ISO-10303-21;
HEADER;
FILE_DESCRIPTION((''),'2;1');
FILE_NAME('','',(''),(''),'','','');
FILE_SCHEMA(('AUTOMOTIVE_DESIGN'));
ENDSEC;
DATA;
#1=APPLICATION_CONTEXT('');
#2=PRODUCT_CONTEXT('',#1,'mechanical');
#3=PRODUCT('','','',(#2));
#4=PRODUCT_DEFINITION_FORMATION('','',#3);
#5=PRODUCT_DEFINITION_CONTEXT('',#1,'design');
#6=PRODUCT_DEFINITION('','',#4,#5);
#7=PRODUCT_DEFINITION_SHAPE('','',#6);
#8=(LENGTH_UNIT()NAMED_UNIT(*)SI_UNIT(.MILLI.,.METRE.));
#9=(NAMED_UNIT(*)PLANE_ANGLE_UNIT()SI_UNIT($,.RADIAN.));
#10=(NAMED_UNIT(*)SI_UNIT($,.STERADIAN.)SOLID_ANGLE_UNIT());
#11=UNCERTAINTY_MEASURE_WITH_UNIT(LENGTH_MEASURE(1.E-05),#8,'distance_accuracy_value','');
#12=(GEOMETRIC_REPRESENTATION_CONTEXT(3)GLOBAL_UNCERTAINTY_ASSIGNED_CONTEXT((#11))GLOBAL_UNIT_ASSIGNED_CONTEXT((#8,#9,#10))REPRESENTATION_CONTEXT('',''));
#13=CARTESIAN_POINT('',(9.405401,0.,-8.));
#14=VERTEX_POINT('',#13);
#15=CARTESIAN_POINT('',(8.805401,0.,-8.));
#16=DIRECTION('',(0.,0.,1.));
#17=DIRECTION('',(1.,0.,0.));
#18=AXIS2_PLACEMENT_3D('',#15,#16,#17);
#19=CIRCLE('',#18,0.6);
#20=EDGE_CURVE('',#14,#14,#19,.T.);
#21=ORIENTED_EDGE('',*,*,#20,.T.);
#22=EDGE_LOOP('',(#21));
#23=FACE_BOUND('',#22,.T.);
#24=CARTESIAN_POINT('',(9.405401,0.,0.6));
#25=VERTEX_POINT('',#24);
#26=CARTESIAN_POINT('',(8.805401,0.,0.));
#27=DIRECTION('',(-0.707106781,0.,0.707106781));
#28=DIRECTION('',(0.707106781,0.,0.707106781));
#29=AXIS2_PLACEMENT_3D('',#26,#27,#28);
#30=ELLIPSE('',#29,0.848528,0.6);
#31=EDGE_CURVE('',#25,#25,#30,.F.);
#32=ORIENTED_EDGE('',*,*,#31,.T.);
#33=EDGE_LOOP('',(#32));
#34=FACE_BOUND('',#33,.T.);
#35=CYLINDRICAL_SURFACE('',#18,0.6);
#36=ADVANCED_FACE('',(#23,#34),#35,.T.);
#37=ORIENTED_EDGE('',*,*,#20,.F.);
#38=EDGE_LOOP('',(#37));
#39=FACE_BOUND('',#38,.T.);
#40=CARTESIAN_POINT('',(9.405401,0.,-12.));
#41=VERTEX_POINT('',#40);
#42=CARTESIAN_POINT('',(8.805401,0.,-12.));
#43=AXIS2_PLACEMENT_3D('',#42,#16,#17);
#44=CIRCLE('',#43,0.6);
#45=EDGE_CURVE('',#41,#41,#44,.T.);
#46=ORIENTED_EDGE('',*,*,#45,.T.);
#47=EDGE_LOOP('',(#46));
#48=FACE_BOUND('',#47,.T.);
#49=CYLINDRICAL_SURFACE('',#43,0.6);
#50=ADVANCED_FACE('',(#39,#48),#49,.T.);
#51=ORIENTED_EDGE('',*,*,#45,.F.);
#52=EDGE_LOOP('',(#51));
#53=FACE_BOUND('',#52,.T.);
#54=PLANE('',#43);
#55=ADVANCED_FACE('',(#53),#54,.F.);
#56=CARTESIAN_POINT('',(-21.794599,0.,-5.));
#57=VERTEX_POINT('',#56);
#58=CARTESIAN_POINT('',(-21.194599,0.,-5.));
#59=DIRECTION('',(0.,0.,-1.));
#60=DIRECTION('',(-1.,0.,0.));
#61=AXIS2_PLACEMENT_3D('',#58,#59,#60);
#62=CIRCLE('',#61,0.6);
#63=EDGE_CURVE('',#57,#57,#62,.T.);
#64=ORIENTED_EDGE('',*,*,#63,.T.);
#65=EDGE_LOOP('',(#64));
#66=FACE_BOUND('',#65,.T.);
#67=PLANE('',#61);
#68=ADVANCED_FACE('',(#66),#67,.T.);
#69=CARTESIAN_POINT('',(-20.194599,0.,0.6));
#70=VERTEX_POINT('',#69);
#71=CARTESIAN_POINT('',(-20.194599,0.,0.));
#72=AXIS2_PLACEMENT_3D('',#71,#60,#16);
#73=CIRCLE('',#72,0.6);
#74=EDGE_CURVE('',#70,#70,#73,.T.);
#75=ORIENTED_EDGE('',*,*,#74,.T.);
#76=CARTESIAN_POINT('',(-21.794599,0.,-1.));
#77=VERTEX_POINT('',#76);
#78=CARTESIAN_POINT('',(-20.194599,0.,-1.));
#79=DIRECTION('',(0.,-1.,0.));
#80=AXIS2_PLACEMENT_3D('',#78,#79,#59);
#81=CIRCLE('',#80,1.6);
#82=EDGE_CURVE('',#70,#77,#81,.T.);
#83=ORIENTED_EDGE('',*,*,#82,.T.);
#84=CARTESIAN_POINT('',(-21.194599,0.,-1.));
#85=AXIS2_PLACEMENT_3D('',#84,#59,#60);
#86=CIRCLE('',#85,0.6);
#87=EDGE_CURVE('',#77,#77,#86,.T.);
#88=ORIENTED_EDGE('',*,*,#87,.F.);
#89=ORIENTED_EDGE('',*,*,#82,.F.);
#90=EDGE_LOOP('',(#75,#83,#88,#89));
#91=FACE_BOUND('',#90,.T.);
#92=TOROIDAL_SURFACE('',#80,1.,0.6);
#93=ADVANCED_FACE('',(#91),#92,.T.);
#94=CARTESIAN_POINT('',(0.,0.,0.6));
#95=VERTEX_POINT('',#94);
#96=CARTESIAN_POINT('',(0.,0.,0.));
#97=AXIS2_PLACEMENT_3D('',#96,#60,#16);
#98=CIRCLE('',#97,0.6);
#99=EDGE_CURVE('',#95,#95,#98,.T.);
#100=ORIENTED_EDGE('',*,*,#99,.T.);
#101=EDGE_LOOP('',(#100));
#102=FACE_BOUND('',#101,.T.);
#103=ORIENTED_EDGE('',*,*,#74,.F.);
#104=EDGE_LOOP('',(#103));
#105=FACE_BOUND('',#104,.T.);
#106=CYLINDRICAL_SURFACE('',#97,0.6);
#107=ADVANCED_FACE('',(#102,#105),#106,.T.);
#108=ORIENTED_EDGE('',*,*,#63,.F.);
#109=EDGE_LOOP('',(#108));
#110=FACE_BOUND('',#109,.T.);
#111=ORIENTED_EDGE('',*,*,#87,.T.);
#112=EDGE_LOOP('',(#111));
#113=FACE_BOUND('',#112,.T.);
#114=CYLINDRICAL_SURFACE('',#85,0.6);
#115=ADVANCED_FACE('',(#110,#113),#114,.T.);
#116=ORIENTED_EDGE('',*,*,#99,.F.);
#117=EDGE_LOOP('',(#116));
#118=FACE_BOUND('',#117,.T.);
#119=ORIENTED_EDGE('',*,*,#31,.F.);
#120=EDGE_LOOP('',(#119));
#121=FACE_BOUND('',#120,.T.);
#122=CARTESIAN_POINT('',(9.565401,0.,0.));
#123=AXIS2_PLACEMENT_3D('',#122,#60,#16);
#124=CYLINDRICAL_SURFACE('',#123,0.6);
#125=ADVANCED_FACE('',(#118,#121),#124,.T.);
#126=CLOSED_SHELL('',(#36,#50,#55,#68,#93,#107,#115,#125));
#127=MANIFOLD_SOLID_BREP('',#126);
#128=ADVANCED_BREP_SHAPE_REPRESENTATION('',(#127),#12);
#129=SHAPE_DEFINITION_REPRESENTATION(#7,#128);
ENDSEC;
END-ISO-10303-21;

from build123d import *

# Parameters (mm, degrees)
SKETCH2_R = 0.6


with BuildPart() as part:
    # Sweep2: sweep along a path in Sketch1
    with BuildLine(Plane(origin=(0, 0, 0), x_dir=(1, 0, 0), z_dir=(0, 1, 0))) as sweep2_path:
        Line((-21.194599122, 5), (-21.194599122, 1))
        ThreePointArc((-21.194599122, 1), (-20.901705903, 0.292893219), (-20.194599122, 0))
        Line((-20.194599122, 0), (0, 0))
        Line((0, 0), (8.805400878, 0))
        Line((8.805400878, 0), (8.805400878, 8))
        Line((8.805400878, 8), (8.805400878, 12))
    # Sketch2 → Sweep2 (sweep)
    with BuildSketch(Plane(origin=(8.805400878, 0, -12), x_dir=(1, 0, 0), z_dir=(0, 0, 1))):
        Circle(SKETCH2_R)
    sweep(path=sweep2_path.line, transition=Transition.RIGHT)


solid = part.part
